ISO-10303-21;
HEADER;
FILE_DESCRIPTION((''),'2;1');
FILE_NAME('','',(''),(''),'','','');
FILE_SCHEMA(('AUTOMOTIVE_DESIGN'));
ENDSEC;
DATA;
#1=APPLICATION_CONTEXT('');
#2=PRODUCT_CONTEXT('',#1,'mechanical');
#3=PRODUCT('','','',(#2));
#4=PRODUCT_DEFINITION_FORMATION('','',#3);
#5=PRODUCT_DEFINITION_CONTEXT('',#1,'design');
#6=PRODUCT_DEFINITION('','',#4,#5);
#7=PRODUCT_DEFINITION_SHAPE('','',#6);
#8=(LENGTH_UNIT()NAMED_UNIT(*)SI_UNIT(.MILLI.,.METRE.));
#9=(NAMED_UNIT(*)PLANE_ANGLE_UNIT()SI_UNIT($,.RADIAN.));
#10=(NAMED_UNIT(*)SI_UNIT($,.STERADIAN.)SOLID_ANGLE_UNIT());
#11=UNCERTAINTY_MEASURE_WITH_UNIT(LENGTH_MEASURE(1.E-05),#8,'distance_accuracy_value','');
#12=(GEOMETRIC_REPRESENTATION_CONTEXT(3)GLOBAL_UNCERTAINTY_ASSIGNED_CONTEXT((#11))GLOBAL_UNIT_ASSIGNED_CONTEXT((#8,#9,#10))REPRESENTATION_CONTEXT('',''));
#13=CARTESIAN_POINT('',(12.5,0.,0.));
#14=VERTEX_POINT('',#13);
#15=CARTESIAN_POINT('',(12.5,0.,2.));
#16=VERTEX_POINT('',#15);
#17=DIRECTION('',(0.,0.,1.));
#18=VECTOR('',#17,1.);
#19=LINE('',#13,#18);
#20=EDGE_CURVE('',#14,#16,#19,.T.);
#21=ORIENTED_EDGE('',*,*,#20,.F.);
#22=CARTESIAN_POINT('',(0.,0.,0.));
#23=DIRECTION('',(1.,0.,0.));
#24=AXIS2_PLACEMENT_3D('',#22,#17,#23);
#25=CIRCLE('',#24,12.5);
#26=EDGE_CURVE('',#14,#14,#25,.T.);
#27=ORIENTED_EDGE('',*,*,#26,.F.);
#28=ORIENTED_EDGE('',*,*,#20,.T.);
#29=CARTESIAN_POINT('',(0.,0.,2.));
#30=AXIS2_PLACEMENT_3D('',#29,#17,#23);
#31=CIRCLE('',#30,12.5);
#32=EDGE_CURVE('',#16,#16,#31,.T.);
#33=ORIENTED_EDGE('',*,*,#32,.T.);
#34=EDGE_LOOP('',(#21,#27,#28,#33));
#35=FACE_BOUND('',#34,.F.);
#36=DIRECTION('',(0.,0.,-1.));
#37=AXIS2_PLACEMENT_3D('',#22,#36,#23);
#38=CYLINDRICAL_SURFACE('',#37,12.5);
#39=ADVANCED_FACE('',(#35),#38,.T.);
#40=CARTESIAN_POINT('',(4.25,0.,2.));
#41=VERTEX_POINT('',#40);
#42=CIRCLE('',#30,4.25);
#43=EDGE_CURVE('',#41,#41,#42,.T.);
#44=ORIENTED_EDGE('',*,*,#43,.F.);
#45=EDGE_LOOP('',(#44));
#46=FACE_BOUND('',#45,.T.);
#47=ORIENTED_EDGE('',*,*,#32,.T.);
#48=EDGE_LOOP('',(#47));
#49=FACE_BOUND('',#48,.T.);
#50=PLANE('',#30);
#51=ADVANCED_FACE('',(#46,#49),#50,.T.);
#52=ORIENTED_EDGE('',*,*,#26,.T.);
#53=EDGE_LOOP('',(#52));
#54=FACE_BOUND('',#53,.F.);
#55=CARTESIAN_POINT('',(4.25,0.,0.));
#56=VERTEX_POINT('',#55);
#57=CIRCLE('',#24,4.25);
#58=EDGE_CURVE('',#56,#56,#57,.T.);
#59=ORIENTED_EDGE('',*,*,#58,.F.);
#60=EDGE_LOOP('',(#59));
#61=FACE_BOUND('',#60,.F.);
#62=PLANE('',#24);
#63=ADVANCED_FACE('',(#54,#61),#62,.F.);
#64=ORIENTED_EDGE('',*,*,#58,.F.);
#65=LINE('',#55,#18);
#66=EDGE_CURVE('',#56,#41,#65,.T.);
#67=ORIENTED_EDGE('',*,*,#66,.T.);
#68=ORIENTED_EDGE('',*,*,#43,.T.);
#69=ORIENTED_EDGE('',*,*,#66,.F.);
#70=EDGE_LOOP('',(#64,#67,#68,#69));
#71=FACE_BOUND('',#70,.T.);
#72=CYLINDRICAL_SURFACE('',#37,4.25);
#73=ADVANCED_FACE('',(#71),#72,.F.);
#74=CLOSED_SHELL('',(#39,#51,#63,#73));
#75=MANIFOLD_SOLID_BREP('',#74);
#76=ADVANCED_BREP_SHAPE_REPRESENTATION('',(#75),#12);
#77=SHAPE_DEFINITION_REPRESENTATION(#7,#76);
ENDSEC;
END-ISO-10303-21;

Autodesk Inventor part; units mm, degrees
ref_plane "YZ Plane" through (0, 0, 0) normal (1, 0, 0) x (0, 1, 0)
ref_plane "XZ Plane" through (0, 0, 0) normal (0, 1, 0) x (-1, 0, 0)
ref_plane "XY Plane" through (0, 0, 0) normal (0, 0, 1) x (1, 0, 0)
sketch "Sketch1" plane through (0, 0, 0) normal (0, 0, 1) x (1, 0, 0)
  circle A0 centre (0, 0) radius 12.5
  circle A1 centre (0, 0) radius 4.25
  dimension "d0" = 25
  dimension "d1" = 8.5
extrude "Extrusion1" add sketch "Sketch1" along normal blind 2
properties part number "22-130 Nylon Washer" material "Nylon-6/6"
